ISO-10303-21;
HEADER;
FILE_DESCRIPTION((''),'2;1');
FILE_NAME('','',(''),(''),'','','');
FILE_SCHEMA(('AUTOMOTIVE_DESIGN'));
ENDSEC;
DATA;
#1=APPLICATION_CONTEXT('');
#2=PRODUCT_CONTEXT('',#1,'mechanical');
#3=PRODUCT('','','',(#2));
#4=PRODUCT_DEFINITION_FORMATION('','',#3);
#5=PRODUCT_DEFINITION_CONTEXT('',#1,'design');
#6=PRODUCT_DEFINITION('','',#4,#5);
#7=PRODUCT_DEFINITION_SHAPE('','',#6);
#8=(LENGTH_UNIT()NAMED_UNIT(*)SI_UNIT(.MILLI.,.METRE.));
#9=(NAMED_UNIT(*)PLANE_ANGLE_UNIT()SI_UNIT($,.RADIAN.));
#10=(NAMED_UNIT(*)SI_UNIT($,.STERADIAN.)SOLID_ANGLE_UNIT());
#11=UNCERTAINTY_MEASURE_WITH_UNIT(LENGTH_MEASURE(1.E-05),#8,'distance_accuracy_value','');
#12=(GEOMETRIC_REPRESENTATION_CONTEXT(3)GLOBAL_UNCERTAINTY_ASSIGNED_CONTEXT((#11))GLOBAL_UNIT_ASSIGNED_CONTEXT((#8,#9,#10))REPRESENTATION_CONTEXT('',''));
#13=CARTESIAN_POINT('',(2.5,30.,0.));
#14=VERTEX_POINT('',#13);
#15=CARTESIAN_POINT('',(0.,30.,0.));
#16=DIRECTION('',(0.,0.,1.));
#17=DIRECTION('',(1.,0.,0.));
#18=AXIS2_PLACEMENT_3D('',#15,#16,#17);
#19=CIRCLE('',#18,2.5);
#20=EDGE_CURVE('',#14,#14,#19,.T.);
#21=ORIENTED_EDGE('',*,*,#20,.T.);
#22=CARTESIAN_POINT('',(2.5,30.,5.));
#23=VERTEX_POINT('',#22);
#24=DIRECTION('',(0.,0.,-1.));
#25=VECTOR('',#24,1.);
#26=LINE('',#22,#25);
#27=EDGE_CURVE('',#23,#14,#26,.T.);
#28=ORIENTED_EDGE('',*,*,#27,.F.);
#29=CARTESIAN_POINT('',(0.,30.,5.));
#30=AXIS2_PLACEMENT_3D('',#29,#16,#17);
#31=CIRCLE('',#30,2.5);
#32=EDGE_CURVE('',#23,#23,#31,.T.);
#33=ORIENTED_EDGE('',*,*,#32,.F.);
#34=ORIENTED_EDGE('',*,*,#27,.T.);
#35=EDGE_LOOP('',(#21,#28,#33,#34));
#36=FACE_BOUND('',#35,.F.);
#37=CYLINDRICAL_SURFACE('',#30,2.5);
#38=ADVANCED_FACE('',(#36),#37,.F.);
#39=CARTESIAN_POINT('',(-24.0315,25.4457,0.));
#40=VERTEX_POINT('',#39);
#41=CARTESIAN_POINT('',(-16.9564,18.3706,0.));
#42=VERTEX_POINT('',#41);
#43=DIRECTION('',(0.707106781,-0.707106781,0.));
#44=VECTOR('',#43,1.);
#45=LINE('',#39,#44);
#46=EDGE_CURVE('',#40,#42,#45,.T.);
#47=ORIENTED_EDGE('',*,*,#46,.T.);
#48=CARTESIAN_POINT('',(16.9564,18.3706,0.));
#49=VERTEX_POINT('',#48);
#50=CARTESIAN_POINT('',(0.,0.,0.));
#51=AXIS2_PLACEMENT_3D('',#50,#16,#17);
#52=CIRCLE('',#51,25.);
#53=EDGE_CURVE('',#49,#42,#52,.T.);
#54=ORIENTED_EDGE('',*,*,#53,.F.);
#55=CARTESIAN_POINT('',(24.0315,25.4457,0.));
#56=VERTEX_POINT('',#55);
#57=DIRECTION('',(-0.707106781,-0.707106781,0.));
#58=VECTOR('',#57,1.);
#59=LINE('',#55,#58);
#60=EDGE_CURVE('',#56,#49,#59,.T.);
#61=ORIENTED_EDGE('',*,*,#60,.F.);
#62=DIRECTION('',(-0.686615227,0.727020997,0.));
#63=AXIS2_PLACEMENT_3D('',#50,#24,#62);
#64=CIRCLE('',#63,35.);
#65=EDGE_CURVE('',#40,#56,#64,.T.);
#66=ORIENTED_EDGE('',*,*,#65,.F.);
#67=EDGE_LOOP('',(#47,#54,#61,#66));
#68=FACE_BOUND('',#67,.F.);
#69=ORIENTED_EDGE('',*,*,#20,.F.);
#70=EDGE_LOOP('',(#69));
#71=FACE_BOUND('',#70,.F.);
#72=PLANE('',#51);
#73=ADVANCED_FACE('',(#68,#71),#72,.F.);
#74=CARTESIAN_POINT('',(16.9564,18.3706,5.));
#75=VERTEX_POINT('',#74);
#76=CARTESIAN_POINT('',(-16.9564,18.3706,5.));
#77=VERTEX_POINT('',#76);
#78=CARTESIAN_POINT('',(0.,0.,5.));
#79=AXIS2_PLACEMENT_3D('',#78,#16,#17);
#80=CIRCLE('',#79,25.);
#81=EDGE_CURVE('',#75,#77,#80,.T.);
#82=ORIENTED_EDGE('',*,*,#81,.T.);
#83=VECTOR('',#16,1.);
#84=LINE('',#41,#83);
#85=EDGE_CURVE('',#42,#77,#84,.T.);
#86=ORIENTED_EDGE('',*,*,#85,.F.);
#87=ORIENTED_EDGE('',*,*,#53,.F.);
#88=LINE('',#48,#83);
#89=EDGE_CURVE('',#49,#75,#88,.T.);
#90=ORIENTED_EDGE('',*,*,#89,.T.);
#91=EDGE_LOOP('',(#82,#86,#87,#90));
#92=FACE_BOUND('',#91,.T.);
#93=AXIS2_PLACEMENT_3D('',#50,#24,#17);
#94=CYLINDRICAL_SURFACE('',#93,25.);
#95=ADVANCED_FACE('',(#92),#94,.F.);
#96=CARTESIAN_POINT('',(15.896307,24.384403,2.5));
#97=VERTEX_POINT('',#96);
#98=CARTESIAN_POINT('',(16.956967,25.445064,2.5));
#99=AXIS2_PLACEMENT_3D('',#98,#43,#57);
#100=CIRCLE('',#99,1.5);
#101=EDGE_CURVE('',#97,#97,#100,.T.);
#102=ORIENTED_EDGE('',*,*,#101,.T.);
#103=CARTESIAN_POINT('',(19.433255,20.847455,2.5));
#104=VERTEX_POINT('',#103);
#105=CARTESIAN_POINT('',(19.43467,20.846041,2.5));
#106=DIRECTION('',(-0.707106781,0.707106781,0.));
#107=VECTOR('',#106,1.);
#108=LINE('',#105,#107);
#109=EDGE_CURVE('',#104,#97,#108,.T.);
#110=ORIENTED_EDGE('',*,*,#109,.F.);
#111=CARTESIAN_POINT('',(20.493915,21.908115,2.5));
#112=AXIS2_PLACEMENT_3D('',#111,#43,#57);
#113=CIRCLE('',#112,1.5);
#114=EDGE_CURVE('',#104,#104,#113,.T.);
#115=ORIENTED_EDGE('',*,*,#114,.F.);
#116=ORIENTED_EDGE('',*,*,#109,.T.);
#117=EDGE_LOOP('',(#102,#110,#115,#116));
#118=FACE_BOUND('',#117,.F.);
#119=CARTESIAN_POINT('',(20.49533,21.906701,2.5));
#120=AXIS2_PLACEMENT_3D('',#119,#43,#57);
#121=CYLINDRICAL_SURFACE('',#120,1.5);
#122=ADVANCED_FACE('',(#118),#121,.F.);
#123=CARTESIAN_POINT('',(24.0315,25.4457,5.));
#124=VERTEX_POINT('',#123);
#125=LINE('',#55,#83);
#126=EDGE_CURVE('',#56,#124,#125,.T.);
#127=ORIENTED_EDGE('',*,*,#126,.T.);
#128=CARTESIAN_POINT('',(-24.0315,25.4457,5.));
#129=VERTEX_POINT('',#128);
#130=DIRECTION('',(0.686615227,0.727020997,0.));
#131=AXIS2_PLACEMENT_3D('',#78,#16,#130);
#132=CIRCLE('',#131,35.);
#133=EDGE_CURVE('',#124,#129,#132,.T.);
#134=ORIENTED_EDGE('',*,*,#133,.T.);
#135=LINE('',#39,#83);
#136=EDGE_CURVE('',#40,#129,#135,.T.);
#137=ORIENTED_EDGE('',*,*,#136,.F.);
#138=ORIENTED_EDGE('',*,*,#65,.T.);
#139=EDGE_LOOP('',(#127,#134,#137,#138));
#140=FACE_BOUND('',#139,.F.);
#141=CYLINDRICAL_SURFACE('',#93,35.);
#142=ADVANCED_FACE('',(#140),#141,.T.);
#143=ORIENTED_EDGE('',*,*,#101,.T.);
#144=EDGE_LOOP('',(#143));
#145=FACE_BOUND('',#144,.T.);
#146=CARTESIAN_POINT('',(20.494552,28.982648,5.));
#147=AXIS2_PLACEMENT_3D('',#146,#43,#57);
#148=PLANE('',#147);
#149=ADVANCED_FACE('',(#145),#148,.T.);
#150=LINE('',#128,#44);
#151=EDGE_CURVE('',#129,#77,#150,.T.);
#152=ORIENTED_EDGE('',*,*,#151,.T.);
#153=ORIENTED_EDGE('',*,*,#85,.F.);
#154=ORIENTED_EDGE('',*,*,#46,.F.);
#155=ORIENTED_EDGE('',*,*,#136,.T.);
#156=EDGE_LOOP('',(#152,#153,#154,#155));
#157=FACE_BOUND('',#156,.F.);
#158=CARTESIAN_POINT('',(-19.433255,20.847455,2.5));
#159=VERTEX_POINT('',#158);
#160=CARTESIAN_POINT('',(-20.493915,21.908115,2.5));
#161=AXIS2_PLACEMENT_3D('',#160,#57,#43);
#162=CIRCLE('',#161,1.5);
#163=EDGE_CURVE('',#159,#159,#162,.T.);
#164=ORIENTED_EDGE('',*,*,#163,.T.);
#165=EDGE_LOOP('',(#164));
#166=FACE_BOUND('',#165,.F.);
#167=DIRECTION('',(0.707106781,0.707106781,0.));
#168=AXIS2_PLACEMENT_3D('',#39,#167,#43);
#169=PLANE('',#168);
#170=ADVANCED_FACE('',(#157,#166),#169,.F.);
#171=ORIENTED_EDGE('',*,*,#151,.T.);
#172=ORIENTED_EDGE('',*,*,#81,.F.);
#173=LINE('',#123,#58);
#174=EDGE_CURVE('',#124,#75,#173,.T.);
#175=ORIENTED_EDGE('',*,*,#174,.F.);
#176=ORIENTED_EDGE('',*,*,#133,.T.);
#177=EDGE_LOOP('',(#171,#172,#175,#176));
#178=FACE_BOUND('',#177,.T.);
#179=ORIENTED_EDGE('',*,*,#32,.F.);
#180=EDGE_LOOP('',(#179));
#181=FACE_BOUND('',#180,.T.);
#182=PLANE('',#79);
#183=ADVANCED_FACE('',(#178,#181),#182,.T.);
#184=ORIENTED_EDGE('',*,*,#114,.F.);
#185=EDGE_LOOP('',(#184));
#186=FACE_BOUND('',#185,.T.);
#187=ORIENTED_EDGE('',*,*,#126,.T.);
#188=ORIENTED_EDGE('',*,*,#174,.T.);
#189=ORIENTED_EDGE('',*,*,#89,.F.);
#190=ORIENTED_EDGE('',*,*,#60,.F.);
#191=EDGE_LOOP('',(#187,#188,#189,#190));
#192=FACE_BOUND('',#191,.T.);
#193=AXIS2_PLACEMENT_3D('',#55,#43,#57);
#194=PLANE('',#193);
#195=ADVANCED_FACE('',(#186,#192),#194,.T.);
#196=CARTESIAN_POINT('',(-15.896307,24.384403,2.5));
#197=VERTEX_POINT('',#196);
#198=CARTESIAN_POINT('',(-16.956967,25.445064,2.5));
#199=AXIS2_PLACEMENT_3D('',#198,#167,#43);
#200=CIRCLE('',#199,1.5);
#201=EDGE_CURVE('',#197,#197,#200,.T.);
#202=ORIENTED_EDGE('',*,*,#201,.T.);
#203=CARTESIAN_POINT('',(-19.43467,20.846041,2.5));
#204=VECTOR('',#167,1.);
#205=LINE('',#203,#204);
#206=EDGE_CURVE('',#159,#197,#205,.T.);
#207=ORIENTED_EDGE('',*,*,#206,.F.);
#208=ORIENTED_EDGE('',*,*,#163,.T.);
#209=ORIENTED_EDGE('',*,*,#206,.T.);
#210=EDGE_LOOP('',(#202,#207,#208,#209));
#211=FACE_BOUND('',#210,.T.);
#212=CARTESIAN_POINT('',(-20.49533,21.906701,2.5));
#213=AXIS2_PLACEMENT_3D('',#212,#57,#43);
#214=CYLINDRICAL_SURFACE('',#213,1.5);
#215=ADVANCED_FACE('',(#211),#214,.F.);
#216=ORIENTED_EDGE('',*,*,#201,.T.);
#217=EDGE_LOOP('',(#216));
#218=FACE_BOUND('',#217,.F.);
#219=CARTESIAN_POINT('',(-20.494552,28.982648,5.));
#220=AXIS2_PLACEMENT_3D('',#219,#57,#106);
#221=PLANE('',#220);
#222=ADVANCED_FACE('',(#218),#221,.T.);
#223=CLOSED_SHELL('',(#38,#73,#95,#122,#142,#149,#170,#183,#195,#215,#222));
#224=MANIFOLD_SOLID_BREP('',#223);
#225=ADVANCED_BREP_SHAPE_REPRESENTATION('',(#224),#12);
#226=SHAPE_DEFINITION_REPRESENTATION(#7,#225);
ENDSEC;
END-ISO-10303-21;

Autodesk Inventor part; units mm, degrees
ref_plane "YZ Plane" through (0, 0, 0) normal (1, 0, 0) x (0, 1, 0)
ref_plane "XZ Plane" through (0, 0, 0) normal (0, 1, 0) x (-1, 0, 0)
ref_plane "XY Plane" through (0, 0, 0) normal (0, 0, 1) x (1, 0, 0)
sketch "Sketch1" plane through (0, 0, 0) normal (0, 0, 1) x (1, 0, 0)
  circle A0 centre (0, 0) radius 25
  circle A1 centre (0, 0) radius 35
  line L0 (-17.6777, 17.6777) -> (-24.7487, 24.7487)
  line L1 (0, 35) -> (0, 0) construction
  line L2 (-24.0315, 25.4457) -> (-16.9564, 18.3706)
  line L3 (-1.1667, 34.9806) -> (-1.1667, 34.9972)
  line L4 (1.1667, 34.9806) -> (1.1667, 34.9972)
  line L5 (17.6777, 17.6777) -> (24.7487, 24.7487)
  line L6 (24.0315, 25.4457) -> (16.9564, 18.3706)
  line L7 (-25.4457, 24.0315) -> (-18.3706, 16.9564)
  line L8 (25.4457, 24.0315) -> (18.3706, 16.9564)
  line L9 (-1, 15) -> (1, 15)
  line L10 (1, 15) -> (1, 0)
  line L11 (1, 0) -> (-1, 0)
  line L12 (-1, 0) -> (-1, 15)
  line L13 (-1, 0) -> (1, 0)
  line L14 (1, 0) -> (1, -6)
  line L15 (1, -6) -> (-1, -6)
  line L16 (-1, -6) -> (-1, 0)
  line L17 (-1, -6) -> (-5, -6)
  line L18 (-5, -6) -> (-5, 3)
  line L19 (-5, 3) -> (-1, 3)
  line L20 (-1, 3) -> (-1, -6)
  line L21 (-5, 3) -> (-21.2192, -13.2192)
  line L22 (-5, -6) -> (-17.1706, -18.1706)
  line L23 (-5, 3) -> (-1, 15)
  line L24 (-5, -6) -> (-1, -2)
  line L25 (1, 0) -> (1, 15)
  line L26 (1, -6) -> (1, 0)
  line L27 (5, 3) -> (21.2192, -13.2192)
  line L28 (5, -6) -> (17.1706, -18.1706)
  line L29 (5, 3) -> (1, 15)
  line L30 (5, -6) -> (1, -2)
  point P0 (-20.5061, 21.9203)
  point P1 (-21.9203, 20.5061)
  point P2 (20.5061, 21.9203)
  point P3 (21.9203, 20.5061)
  point P4 (-1, -2)
  point P5 (1, 0)
  point P6 (1, -2)
  dimension "d0" = 50
  dimension "d1" = 10
  dimension "d2" = 45
  dimension "d3" = 1
  dimension "d5" = 2
  dimension "d6" = 15
  dimension "d7" = 6
  dimension "d8" = 2
  dimension "d9" = 4
  dimension "d11" = 45
  dimension "d12" = 45
  dimension "d13" = 3
  dimension "d14" = 45
extrude "Extrusion1" add sketch "Sketch1" along normal blind 5 contours A0 L2 A1 L6
sketch "Sketch3" plane through (24.0315, 25.4457, 5) normal (0.7071, -0.7071, 0) x (-0.7071, -0.7071, 0)
  line L0 (0, 5) -> (0, 0) construction
  line L1 (10.0057, 0) -> (0, 0) construction
  circle A0 centre (5.0029, 2.5) radius 1.5
  point P0 (34.9857, 5)
  dimension "d19" = 3
  dimension "d21" = 5.0029
  dimension "d22" = 2.5
extrude "Extrusion3" cut sketch "Sketch3" against normal blind 5
sketch "Sketch4" plane through (0, 0, 5) normal (0, 0, 1) x (1, 0, 0)
  arc A0 (24.0315, 25.4457) -> (-24.0315, 25.4457) centre (0, 0) ccw construction
  circle A1 centre (0, 30) radius 2.5
  point P0 (0, 35)
  dimension "d25" = 5
  dimension "d26" = 5
extrude "Extrusion4" cut sketch "Sketch4" against normal through all
mirror "Mirror1" about plane through (0, 0, 0) normal (1, 0, 0) of "Extrusion3"
properties part number "Black_Part1"
